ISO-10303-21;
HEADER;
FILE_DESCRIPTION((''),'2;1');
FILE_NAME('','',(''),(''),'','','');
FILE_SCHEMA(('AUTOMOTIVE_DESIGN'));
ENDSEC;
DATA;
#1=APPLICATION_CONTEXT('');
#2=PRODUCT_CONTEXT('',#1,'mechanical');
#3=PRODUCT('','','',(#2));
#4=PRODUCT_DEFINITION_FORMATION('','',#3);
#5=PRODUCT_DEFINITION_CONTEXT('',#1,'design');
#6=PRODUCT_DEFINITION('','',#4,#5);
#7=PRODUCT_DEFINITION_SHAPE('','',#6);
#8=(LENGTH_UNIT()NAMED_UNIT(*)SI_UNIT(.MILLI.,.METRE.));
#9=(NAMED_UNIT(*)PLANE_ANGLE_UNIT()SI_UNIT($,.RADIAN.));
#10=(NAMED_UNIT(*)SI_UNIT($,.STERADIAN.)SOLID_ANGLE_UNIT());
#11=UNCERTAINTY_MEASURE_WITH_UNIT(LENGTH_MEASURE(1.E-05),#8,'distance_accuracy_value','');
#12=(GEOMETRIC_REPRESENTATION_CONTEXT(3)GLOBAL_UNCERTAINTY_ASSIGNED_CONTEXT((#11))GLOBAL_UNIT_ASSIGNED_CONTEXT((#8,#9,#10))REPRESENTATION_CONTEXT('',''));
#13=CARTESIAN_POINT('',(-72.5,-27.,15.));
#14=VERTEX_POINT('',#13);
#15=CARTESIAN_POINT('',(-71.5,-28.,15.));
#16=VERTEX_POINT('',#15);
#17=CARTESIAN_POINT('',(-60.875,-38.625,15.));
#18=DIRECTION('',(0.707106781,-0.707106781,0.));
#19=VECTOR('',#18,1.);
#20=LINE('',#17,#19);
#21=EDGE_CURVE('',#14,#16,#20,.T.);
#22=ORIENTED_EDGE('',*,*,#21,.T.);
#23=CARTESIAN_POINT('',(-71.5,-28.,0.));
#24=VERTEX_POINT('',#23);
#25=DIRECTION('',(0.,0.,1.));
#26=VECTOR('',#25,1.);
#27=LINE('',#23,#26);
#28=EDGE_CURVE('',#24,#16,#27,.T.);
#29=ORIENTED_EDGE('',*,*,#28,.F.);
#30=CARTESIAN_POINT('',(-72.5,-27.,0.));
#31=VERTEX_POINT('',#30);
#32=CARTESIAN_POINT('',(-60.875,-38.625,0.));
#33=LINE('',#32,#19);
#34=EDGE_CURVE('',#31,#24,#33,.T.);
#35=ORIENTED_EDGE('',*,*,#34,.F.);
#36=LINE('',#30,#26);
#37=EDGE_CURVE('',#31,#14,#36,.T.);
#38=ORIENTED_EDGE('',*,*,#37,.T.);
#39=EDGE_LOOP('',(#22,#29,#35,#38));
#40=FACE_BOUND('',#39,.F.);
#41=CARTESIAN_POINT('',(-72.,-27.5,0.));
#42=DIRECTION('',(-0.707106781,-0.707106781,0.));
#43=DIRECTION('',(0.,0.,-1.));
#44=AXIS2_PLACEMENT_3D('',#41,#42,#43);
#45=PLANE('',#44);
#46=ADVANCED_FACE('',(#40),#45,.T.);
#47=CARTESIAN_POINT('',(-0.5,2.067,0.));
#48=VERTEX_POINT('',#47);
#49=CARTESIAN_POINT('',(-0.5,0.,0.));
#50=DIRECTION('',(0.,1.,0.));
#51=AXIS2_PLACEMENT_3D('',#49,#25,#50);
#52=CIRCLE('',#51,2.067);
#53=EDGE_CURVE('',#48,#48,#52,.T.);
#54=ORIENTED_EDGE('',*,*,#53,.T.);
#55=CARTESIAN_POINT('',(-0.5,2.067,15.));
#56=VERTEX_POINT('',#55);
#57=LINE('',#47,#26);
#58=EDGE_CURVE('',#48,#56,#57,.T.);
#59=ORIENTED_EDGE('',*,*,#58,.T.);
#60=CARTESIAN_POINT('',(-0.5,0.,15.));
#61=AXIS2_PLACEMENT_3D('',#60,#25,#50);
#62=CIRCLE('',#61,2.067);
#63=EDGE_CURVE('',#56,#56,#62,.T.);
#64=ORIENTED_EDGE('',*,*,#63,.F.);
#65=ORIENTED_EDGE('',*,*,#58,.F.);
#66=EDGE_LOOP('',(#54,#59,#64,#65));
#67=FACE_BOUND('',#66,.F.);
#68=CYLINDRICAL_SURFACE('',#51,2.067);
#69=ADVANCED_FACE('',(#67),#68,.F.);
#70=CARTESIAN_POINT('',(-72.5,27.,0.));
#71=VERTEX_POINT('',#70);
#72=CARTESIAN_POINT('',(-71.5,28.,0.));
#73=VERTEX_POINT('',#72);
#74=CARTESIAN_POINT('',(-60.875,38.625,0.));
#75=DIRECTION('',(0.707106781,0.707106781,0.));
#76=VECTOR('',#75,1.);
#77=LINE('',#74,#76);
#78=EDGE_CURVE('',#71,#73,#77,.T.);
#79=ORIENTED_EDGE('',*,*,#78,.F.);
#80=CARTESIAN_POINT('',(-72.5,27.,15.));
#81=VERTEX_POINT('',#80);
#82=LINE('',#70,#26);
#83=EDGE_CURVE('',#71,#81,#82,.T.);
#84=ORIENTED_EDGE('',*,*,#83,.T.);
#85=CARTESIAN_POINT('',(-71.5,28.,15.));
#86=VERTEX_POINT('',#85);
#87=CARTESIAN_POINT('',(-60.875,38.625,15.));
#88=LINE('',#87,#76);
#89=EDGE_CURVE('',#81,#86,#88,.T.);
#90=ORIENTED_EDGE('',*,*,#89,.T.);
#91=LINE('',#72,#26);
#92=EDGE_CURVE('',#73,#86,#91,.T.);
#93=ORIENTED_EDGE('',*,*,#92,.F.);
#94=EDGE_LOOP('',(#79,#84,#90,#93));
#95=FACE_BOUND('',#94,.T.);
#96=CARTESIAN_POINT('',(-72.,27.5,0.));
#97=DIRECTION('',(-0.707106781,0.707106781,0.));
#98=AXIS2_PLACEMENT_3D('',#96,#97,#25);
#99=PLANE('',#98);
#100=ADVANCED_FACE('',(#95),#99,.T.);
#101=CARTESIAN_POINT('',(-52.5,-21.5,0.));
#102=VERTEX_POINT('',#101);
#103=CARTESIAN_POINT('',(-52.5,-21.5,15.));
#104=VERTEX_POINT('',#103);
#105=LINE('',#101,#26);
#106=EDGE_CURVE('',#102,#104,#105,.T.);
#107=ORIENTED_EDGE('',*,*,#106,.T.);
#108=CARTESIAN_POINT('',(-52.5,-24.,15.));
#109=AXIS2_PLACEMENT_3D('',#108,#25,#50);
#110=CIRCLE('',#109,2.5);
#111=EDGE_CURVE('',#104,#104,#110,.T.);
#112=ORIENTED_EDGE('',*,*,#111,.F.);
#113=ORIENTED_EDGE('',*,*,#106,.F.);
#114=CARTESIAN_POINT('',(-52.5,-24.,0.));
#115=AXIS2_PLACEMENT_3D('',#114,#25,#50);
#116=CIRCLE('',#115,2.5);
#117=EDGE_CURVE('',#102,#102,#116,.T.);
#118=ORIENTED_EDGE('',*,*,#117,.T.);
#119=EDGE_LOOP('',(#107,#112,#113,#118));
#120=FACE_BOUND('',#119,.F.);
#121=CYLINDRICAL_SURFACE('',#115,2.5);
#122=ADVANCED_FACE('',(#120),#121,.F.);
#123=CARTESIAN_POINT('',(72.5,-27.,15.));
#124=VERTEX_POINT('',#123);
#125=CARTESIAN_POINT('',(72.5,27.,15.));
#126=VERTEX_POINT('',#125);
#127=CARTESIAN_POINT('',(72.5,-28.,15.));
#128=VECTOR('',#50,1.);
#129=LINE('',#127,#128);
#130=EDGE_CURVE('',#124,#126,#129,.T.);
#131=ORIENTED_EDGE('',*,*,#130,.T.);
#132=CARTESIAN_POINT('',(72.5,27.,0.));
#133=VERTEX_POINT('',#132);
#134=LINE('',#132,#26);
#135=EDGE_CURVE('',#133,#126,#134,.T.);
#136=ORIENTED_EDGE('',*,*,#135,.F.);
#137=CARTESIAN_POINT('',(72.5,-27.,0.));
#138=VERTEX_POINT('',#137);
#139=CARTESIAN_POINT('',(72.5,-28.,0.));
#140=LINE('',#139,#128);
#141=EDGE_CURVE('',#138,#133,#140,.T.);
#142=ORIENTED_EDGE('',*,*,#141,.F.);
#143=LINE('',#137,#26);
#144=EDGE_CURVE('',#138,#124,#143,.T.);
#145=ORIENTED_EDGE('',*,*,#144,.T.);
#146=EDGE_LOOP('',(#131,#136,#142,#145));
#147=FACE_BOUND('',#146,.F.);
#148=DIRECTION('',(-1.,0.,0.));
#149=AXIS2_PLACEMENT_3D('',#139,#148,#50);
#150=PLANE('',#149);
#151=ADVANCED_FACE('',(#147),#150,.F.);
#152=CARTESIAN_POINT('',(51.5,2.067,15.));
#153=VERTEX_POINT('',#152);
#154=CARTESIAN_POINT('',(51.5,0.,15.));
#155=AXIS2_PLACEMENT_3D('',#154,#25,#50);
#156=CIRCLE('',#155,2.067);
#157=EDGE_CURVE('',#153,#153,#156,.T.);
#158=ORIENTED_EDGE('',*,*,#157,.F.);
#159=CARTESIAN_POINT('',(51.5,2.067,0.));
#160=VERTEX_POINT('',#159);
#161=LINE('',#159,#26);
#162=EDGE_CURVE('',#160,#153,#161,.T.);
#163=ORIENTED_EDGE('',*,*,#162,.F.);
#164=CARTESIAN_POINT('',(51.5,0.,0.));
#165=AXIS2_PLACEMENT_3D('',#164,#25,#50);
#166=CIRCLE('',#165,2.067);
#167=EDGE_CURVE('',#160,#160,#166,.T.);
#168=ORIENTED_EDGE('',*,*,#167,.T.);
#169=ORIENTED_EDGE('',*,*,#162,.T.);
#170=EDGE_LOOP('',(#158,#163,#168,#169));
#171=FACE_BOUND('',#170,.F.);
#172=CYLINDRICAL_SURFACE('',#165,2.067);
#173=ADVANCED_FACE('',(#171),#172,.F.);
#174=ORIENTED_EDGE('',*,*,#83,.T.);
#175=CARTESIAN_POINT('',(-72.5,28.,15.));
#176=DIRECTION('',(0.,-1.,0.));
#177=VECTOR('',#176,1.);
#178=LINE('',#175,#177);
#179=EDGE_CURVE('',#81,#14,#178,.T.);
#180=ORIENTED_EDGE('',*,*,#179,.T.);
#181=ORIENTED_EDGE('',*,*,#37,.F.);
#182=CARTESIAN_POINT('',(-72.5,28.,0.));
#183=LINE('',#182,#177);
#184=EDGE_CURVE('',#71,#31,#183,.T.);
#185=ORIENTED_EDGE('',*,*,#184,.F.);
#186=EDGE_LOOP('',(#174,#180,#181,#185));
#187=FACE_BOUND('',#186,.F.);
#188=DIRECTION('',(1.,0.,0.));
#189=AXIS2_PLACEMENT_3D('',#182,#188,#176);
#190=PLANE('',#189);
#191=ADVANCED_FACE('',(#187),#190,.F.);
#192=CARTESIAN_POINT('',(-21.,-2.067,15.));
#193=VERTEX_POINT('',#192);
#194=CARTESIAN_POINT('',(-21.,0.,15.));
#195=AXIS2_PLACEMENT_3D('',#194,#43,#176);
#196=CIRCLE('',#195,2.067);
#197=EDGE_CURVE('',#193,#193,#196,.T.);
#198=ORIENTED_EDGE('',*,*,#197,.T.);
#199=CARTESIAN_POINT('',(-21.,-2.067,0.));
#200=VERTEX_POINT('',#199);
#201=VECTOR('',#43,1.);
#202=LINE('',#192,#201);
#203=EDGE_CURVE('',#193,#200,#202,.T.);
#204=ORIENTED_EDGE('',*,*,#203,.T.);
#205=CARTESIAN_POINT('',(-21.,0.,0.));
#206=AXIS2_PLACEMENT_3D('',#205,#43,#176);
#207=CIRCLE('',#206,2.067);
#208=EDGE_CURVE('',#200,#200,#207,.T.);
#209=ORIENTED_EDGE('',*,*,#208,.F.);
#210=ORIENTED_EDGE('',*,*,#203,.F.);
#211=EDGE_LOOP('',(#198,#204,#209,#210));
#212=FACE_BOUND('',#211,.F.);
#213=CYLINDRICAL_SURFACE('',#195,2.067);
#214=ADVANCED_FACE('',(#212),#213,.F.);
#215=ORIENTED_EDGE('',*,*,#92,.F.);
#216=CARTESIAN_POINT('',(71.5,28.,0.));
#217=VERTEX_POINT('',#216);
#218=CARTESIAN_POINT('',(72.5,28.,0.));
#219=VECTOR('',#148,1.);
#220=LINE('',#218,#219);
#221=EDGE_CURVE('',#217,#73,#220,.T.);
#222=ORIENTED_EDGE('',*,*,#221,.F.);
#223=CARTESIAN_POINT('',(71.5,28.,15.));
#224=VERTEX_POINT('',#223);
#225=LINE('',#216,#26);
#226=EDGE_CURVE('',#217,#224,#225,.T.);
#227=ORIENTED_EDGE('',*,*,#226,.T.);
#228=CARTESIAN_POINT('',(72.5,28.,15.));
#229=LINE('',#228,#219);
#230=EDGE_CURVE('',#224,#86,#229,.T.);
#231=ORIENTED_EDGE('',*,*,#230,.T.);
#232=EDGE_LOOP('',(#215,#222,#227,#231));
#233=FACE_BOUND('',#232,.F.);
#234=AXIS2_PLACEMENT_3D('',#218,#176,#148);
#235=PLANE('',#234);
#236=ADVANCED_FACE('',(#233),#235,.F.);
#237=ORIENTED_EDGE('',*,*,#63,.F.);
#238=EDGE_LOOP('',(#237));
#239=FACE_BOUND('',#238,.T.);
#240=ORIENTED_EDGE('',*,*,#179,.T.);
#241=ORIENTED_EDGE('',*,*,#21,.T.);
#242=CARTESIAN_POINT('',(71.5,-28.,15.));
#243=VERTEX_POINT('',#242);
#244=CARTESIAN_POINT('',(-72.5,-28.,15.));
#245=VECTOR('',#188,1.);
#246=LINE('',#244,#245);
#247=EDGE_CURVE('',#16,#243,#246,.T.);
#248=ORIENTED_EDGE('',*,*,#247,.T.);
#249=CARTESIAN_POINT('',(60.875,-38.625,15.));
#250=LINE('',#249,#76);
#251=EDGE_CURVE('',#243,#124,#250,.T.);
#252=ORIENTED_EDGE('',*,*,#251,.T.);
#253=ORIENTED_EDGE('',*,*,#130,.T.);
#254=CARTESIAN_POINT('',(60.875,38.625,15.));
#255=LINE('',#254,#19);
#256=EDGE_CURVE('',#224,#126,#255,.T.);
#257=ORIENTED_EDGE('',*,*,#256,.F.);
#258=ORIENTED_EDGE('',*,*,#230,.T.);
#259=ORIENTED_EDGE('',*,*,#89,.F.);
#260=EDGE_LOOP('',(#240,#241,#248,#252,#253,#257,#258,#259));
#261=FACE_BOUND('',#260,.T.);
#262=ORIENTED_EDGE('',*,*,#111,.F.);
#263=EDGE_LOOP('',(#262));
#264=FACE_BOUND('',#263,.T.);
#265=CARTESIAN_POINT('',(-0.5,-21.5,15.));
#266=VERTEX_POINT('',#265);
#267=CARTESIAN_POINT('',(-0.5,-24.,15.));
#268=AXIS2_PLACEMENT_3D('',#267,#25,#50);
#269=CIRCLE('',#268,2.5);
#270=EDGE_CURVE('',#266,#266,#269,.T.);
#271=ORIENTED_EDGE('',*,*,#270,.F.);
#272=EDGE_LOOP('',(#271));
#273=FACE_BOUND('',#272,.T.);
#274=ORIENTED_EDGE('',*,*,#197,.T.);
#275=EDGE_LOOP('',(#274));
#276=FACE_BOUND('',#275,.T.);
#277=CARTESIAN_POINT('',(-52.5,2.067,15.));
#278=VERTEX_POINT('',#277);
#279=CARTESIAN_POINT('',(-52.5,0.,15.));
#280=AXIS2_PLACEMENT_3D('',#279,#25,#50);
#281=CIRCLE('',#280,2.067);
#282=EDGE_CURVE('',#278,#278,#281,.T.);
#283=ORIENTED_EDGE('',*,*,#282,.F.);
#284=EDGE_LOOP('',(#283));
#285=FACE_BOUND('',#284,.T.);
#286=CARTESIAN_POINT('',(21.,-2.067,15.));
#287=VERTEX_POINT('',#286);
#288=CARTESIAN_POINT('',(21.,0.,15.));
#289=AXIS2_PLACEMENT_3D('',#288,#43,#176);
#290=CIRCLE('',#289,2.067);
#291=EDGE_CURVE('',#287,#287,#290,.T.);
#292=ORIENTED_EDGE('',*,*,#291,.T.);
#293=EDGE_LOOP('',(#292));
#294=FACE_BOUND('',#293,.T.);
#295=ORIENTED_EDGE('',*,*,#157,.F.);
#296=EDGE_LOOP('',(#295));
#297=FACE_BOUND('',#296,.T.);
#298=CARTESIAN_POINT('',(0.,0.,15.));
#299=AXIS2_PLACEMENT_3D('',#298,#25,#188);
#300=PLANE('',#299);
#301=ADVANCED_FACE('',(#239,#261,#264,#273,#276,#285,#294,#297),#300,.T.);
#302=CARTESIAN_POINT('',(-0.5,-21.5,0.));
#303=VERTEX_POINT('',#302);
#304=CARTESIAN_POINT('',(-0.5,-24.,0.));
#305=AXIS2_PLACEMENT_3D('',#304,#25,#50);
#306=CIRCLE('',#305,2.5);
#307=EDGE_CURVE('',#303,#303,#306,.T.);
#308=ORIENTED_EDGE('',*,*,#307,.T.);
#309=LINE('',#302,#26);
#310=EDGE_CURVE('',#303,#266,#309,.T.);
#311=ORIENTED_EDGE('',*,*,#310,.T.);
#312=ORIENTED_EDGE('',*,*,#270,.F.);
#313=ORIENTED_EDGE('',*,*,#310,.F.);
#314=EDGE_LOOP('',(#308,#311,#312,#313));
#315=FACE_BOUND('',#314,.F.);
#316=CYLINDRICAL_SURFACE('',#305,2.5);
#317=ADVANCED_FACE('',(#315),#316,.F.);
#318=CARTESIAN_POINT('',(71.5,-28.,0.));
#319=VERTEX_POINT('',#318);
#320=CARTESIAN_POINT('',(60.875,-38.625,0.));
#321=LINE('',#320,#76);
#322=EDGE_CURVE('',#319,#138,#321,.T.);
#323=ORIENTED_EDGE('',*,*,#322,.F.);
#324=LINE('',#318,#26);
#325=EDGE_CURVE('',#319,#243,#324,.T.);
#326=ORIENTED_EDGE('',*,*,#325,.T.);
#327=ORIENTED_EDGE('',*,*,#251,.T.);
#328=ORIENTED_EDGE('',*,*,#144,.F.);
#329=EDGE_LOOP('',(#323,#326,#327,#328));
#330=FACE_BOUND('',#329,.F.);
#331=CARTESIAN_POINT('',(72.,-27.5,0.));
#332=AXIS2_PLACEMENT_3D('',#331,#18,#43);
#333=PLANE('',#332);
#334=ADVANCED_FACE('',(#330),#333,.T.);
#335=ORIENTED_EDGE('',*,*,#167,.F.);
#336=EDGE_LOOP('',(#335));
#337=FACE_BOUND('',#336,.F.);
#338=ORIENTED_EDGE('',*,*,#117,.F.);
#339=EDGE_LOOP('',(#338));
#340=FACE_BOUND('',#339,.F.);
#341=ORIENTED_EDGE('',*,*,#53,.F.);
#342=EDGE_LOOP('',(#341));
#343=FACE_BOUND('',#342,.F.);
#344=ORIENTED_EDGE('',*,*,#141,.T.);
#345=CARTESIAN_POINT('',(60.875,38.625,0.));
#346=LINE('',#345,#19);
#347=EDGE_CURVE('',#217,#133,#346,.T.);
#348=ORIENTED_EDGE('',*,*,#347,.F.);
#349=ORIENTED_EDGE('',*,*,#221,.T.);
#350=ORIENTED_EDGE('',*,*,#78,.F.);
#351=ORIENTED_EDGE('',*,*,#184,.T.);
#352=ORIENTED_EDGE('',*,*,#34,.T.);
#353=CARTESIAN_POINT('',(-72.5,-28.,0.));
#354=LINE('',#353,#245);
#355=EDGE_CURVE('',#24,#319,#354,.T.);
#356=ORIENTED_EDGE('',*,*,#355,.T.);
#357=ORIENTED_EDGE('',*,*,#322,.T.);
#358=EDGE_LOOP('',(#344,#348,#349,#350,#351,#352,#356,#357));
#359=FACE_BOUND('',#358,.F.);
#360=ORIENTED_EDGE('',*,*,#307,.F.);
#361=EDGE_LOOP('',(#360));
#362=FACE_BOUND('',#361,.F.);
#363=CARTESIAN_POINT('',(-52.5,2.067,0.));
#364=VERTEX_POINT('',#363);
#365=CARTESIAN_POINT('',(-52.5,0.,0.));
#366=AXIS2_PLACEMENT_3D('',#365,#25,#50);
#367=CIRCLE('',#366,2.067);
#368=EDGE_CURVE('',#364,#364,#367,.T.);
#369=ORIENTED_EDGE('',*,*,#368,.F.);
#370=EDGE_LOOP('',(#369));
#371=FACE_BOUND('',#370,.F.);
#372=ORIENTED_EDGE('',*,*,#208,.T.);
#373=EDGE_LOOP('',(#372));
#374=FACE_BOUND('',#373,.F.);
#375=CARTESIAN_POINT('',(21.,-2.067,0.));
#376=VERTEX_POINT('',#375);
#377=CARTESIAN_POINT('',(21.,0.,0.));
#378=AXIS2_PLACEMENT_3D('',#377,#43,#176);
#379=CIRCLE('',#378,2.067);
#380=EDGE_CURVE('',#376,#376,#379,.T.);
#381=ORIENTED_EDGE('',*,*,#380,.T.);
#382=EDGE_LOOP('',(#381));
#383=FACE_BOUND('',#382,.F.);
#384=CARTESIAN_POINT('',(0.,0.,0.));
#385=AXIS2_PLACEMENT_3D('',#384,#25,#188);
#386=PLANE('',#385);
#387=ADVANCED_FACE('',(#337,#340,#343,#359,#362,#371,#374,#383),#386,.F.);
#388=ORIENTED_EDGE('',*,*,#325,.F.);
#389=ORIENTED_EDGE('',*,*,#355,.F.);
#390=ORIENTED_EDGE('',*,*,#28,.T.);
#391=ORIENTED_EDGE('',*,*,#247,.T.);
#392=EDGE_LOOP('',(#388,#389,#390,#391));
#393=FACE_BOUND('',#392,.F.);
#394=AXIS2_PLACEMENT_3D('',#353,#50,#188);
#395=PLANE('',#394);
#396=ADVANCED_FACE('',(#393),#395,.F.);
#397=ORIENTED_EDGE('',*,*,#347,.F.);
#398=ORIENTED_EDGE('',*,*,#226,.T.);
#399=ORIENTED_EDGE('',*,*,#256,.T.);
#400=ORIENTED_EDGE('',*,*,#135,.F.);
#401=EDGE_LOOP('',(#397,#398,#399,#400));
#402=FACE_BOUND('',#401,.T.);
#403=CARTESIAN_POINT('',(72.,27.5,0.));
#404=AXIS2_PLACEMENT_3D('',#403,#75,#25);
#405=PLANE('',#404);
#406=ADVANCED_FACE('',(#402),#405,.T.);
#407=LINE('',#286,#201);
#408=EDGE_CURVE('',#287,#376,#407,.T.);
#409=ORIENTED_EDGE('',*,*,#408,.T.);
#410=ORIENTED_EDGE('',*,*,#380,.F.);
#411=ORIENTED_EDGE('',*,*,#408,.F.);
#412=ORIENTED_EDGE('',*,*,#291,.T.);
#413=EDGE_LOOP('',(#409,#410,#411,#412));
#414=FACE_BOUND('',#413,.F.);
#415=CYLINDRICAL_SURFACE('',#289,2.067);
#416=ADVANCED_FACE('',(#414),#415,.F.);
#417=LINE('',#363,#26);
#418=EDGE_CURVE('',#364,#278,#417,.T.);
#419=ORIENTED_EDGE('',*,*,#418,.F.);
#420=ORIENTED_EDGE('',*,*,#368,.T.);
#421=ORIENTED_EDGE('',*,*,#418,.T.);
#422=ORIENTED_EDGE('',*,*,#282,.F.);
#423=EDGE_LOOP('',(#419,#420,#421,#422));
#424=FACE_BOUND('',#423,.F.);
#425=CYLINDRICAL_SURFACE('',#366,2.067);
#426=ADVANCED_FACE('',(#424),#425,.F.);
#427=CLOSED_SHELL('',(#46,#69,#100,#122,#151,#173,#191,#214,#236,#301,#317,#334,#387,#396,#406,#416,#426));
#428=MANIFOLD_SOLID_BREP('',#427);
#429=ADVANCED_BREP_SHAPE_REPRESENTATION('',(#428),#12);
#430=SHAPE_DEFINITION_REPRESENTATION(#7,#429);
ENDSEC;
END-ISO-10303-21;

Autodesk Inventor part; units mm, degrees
ref_plane "YZ Plane" through (0, 0, 0) normal (1, 0, 0) x (0, 1, 0)
ref_plane "XZ Plane" through (0, 0, 0) normal (0, 1, 0) x (-1, 0, 0)
ref_plane "XY Plane" through (0, 0, 0) normal (0, 0, 1) x (1, 0, 0)
sketch "スケッチ1" plane through (0, 0, 0) normal (0, 0, 1) x (1, 0, 0)
  line L0 (-72.5, -28) -> (72.5, -28)
  line L1 (72.5, -28) -> (72.5, 28)
  line L2 (72.5, 28) -> (-72.5, 28)
  line L3 (-72.5, 28) -> (-72.5, -28)
  point P0 (0, 0)
  point P1 (0, -28)
  point P2 (-72.5, 0)
  dimension "d0" = 145
  dimension "d1" = 56
extrude "押し出し1" add sketch "スケッチ1" along normal blind 15
sketch "スケッチ3" plane through (0, 0, 15) normal (0, 0, 1) x (1, 0, 0)
  point P0 (0, 0)
  point P1 (-21, 0)
  point P2 (21, 0)
  dimension "d9" = 21
  dimension "d10" = 21
hole "穴1" at (-21, 0, 15) at (21, 0, 15) direction (0, 0, -1) diameter 4.134 end through all thread size "M5x0.8" class "6H" standard "ANSI Metric M Profile"
sketch "スケッチ4" plane through (0, 0, 0) normal (0, 0, -1) x (-1, 0, 0)
  line L0 (-72.5, -28) -> (-72.5, 28) projected
  point P0 (0, 0)
  point P1 (-51.5, 0)
  point P2 (-72.5, 0)
  dimension "d18" = 21
hole "穴2" at (51.5, 0, 0) direction (0, 0, 1) diameter 4.134 end through all thread size "M5x0.8" class "6H" standard "ANSI Metric M Profile"
pattern_linear "矩形状パターン1" count 3 spacing 52 along (-1, 0, 0) of "穴2"
sketch "スケッチ5" plane through (0, 0, 0) normal (0, 0, -1) x (-1, 0, 0)
  circle A0 centre (52.5, 0) radius 2.067 projected
  circle A1 centre (0.5, 0) radius 2.067 projected
  point P0 (0, 0)
  point P1 (52.5, -24)
  point P2 (0.5, -24)
  dimension "d29" = 24
hole "穴3" at (-52.5, -24, 0) at (-0.5, -24, 0) direction (0, 0, 1) diameter 5 end through all
chamfer "面取り1" distance 1 angle 45 4 edges at (-72.5, -28, 7.5) (-72.5, 28, 7.5) (72.5, -28, 7.5) (72.5, 28, 7.5)
equation "\"d10\" = d9"
properties part number "02" material "A5052"
